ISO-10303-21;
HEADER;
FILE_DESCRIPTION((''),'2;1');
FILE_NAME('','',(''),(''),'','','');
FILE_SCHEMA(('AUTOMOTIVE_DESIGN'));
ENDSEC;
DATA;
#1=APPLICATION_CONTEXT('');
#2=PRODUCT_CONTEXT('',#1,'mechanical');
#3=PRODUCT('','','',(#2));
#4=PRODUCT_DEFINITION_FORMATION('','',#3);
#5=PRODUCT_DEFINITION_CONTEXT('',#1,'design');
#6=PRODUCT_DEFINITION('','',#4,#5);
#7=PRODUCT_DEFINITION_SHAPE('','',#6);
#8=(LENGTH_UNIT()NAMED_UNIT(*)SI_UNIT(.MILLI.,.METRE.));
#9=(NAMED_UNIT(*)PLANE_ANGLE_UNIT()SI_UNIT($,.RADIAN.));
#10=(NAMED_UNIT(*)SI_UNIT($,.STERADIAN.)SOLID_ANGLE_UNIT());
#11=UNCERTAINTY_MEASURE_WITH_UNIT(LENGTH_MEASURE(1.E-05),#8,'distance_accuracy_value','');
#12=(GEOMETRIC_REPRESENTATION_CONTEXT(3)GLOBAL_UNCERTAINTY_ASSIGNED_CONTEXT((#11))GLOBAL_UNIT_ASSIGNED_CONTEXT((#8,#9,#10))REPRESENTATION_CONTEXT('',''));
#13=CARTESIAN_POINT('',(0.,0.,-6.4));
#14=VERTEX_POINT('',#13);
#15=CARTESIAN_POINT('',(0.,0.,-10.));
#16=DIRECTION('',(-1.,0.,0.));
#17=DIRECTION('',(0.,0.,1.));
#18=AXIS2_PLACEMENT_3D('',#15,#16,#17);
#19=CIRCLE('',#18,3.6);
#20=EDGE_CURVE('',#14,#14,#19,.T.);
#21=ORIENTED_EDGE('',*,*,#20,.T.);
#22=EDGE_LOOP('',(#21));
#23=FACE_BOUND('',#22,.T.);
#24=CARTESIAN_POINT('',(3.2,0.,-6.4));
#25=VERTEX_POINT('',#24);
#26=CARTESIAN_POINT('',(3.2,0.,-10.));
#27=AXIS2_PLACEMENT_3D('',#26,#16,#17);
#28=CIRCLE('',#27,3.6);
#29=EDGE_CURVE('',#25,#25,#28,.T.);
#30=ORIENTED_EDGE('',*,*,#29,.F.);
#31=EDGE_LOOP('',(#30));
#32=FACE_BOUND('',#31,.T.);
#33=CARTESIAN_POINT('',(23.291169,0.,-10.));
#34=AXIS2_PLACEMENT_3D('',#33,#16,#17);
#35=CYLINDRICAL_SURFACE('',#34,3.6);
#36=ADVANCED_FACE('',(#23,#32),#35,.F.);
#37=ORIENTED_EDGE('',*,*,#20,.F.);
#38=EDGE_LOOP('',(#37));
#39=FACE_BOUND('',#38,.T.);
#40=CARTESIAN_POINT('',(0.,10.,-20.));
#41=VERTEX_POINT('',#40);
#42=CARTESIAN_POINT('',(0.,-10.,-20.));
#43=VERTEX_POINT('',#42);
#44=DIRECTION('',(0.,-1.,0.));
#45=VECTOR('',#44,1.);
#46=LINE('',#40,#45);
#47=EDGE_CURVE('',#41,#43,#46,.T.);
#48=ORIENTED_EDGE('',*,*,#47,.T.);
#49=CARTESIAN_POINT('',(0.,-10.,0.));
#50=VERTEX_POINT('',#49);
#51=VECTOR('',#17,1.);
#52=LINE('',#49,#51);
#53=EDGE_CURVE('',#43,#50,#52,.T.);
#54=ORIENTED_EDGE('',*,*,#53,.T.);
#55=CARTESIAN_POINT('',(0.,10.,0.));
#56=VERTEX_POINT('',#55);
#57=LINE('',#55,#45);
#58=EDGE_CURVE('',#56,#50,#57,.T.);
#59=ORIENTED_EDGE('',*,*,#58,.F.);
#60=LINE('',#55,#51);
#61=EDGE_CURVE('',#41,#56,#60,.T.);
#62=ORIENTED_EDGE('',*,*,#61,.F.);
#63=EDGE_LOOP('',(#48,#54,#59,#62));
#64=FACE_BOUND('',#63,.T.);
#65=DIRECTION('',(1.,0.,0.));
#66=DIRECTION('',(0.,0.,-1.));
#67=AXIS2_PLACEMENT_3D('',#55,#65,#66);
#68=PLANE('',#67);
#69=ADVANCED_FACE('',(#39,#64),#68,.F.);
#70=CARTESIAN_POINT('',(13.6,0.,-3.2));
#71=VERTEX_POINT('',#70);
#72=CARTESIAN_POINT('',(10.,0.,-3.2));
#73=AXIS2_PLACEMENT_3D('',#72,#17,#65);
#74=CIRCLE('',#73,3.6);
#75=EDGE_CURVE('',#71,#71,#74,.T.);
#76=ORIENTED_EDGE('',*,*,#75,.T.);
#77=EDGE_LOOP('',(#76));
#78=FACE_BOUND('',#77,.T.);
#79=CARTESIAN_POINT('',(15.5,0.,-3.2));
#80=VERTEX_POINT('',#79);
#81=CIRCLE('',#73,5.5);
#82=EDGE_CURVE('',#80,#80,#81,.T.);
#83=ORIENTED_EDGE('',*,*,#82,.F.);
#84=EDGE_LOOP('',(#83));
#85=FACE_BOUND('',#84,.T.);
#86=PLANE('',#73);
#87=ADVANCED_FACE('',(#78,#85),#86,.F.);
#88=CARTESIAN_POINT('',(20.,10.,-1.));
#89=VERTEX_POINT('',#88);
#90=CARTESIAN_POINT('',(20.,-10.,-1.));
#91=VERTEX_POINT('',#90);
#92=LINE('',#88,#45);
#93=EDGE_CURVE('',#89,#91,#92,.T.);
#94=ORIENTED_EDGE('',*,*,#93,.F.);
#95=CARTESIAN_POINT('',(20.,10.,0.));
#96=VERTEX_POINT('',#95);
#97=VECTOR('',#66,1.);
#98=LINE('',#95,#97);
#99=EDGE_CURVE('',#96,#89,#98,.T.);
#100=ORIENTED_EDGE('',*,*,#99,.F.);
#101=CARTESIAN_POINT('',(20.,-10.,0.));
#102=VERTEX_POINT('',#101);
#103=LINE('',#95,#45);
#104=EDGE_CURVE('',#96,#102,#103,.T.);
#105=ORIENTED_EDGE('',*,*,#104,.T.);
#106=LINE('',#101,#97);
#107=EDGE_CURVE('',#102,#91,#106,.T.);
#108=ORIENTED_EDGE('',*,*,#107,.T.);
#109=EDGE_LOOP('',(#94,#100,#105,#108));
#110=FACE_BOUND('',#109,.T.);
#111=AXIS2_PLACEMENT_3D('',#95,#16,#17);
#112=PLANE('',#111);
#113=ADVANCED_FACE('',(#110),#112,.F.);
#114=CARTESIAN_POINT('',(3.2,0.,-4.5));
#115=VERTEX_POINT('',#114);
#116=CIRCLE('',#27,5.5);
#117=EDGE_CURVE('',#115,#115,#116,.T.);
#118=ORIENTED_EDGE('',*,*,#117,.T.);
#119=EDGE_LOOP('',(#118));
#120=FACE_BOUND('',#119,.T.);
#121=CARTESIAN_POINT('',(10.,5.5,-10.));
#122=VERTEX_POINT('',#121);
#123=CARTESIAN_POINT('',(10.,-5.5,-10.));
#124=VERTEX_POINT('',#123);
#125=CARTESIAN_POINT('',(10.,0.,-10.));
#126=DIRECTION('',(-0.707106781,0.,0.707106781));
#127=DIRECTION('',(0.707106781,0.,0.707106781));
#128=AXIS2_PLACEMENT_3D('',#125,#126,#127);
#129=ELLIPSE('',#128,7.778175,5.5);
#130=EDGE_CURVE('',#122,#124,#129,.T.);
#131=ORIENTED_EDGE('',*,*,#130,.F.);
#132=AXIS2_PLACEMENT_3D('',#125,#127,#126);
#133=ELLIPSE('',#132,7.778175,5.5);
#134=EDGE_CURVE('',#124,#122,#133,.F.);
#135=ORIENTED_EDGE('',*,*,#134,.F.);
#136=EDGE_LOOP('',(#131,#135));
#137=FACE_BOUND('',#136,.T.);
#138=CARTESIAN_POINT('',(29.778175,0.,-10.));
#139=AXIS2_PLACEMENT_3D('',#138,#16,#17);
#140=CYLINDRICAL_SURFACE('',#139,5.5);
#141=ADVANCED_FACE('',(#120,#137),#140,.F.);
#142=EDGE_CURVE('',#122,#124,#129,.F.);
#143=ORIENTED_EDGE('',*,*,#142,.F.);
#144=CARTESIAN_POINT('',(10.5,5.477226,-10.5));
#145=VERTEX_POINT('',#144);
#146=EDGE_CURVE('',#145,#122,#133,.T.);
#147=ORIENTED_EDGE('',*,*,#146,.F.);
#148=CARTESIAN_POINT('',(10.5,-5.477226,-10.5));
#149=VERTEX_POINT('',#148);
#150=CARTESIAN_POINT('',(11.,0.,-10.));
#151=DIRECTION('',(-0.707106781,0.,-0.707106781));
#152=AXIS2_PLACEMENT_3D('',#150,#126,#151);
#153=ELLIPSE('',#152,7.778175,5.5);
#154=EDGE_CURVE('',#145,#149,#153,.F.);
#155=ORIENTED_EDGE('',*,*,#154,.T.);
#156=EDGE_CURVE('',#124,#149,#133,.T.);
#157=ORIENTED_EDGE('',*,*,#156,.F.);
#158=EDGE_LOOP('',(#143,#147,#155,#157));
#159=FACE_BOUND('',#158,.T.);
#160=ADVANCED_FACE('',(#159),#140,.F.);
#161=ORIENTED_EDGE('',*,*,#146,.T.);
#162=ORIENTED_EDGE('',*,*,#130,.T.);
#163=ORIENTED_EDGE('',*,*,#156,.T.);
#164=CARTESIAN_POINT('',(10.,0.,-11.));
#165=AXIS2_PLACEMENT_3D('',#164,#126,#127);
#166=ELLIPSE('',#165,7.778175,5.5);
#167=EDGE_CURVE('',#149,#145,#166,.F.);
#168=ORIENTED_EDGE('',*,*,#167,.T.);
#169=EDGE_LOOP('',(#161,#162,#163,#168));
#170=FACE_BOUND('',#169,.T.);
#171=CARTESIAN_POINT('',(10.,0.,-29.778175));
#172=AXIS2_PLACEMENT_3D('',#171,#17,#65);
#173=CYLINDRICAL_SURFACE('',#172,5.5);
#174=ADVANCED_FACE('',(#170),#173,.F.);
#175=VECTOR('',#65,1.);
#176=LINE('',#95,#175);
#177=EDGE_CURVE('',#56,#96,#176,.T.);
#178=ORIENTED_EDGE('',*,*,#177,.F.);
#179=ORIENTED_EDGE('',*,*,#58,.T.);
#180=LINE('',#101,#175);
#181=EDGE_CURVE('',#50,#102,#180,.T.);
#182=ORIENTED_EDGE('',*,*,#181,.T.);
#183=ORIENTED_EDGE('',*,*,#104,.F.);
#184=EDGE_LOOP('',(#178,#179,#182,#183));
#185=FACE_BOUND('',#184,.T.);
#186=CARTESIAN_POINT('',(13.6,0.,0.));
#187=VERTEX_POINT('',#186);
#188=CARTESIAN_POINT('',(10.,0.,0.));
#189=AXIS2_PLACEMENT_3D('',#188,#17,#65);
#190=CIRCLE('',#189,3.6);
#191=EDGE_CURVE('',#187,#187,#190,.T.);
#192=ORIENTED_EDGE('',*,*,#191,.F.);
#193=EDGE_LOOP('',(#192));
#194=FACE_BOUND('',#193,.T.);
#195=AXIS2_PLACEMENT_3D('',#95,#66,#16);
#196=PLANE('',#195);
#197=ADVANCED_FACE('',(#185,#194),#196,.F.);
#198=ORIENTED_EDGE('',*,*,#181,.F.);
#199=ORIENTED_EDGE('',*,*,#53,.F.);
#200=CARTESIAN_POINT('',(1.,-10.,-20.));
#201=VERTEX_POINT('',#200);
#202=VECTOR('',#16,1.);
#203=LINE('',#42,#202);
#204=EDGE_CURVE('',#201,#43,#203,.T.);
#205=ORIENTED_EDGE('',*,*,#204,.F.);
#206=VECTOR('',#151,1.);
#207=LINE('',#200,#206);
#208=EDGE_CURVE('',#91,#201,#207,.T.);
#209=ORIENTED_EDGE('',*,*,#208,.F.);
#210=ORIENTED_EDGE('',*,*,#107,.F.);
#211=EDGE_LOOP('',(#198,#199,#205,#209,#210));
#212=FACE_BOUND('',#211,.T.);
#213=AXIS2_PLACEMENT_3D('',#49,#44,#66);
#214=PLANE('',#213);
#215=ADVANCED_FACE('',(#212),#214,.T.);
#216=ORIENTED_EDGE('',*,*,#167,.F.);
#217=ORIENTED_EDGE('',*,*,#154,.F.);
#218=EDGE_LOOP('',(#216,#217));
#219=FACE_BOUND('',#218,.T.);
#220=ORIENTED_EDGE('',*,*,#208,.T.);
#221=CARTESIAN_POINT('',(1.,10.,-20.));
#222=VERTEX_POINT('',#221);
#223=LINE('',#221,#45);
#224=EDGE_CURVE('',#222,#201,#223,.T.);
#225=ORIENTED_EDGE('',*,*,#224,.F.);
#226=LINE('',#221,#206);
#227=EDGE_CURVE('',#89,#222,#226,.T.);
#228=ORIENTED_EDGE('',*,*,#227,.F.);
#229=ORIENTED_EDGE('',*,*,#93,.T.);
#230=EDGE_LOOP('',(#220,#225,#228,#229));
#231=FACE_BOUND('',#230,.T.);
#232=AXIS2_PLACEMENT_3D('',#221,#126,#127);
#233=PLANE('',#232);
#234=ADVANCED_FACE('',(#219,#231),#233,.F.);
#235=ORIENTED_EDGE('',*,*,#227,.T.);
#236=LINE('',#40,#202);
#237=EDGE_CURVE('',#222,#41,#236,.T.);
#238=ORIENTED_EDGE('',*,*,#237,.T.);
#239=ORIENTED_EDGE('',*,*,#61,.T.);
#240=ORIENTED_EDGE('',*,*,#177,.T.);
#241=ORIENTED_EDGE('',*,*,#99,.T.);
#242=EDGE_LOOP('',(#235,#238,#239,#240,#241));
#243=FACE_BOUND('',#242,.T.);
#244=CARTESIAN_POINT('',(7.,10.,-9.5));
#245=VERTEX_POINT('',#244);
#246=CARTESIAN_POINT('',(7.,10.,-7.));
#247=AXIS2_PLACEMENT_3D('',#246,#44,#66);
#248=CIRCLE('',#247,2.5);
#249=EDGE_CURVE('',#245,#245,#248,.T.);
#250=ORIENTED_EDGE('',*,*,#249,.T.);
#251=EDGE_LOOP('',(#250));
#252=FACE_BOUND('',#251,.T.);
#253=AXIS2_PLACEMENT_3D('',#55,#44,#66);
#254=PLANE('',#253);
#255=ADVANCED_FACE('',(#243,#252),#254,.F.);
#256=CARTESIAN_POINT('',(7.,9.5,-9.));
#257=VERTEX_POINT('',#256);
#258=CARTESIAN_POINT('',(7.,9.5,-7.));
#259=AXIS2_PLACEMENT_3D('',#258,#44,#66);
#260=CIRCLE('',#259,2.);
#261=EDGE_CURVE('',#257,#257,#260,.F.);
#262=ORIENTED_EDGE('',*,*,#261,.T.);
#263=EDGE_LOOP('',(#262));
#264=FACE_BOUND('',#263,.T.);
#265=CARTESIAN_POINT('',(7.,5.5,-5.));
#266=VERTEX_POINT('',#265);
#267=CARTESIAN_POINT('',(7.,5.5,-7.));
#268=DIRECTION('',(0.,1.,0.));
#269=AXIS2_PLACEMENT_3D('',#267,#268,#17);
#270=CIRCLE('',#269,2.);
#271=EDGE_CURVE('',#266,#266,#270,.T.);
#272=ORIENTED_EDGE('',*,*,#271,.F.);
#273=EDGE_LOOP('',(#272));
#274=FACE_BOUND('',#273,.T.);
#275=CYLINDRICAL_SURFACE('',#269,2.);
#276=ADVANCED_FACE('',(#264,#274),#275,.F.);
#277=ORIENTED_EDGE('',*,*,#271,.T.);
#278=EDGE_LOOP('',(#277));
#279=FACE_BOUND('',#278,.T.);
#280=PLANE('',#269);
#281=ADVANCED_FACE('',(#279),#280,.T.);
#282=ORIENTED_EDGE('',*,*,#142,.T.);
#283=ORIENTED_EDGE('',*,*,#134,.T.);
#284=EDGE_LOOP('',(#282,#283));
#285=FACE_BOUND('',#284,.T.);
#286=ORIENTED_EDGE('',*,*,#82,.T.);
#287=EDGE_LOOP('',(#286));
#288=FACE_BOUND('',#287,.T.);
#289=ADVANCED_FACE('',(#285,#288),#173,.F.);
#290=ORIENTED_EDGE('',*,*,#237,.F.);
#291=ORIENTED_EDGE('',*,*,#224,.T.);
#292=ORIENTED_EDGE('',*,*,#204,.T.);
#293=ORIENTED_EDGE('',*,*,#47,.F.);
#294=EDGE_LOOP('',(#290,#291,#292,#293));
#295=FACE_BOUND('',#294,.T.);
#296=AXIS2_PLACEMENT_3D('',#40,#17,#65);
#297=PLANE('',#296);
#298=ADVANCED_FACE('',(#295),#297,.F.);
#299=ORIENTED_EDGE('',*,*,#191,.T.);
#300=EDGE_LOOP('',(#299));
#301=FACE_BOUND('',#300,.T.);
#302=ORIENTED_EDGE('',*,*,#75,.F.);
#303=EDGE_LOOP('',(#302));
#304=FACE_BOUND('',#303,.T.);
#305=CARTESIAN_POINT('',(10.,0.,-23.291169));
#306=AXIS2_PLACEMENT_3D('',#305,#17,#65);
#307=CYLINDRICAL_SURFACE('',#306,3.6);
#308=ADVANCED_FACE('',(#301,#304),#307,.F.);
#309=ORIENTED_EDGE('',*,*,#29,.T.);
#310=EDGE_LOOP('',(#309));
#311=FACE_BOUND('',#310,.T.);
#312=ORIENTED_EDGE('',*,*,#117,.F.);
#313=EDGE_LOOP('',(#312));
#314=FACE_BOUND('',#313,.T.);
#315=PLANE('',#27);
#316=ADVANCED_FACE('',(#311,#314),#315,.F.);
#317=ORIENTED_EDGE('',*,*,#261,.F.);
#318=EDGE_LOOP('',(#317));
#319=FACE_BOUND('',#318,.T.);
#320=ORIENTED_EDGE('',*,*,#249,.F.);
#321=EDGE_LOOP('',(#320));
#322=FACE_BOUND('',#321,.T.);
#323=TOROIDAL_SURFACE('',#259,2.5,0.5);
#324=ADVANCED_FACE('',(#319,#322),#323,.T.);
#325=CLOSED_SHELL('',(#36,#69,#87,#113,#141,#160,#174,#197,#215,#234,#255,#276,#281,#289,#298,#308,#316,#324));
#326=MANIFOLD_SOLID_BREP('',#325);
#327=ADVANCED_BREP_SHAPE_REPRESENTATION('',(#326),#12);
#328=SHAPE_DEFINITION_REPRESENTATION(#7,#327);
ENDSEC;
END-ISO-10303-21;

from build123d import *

# Parameters (mm, degrees)
BOSS_EXTRUDE1_DEPTH = 10
CUT_EXTRUDE1_REACH  = 32
SKETCH3_R           = 3.6
CUT_EXTRUDE3_REACH  = 39.344
CUT_EXTRUDE3_START  = -3.2
SKETCH3_4_R         = 5.5
SKETCH3_4_R_2       = 3.6
CUT_EXTRUDE2_REACH  = 32
SKETCH4_R           = 3.6
CUT_EXTRUDE4_REACH  = 35.2
CUT_EXTRUDE4_START  = -3.2
SKETCH4_3_R         = 5.5
SKETCH4_3_R_2       = 3.6
SKETCH5_R           = 2
CUT_EXTRUDE5_DEPTH  = 4.5
FILLET1_R           = 0.5


with BuildPart() as part:
    # Sketch2 → Boss-Extrude1 (new, symmetric)
    with BuildSketch(Plane(origin=(0, 0, 0), x_dir=(1, 0, 0), z_dir=(0, 1, 0))):
        Polygon((0, 0), (0, 20), (1, 20), (20, 1), (20, 0), align=None)
    extrude(amount=BOSS_EXTRUDE1_DEPTH, both=True)

    # Cut-Extrude1: up to this plane
    cut_extrude1_end = Plane(origin=(1, 10, -20), z_dir=(-0.7071067811865476, 0, 0.7071067811865476))
    # Sketch3 → Cut-Extrude1 (cut, up to the surface)
    with BuildSketch(Plane.XY, mode=Mode.PRIVATE) as cut_extrude1_sk1:
        with Locations((10, 0)):
            Circle(SKETCH3_R)
    cut_extrude1_tool1 = split(extrude(cut_extrude1_sk1.sketch, amount=-CUT_EXTRUDE1_REACH, mode=Mode.PRIVATE), bisect_by=cut_extrude1_end, keep=Keep.BOTH, mode=Mode.PRIVATE)
    add(cut_extrude1_tool1.solids().sort_by_distance((10, 0, 0))[0], mode=Mode.SUBTRACT)

    # Cut-Extrude3: up to this plane
    cut_extrude3_end = Plane(origin=(1, 10, -20), z_dir=(-0.7071067811865476, 0, 0.7071067811865476))
    # Sketch3<4> → Cut-Extrude3 (cut, up to the surface)
    with BuildSketch(Plane.XY.offset(CUT_EXTRUDE3_START), mode=Mode.PRIVATE) as cut_extrude3_sk1:
        with Locations((10, 0)):
            Circle(SKETCH3_4_R)
        with Locations((10, 0)):
            Circle(SKETCH3_4_R_2, mode=Mode.SUBTRACT)
    cut_extrude3_tool1 = split(extrude(cut_extrude3_sk1.sketch, amount=-CUT_EXTRUDE3_REACH, mode=Mode.PRIVATE), bisect_by=cut_extrude3_end, keep=Keep.BOTH, mode=Mode.PRIVATE)
    add(cut_extrude3_tool1.solids().sort_by_distance((4.655563, 0, -3.2))[0], mode=Mode.SUBTRACT)

    # Cut-Extrude2: up to this plane
    cut_extrude2_end = Plane(origin=(1, 10, -20), z_dir=(-0.7071067811865476, 0, 0.7071067811865476))
    # Sketch4 → Cut-Extrude2 (cut, up to the surface)
    with BuildSketch(Plane.ZY, mode=Mode.PRIVATE) as cut_extrude2_sk1:
        with Locations((-10, 0)):
            Circle(SKETCH4_R)
    cut_extrude2_tool1 = split(extrude(cut_extrude2_sk1.sketch, amount=-CUT_EXTRUDE2_REACH, mode=Mode.PRIVATE), bisect_by=cut_extrude2_end, keep=Keep.BOTH, mode=Mode.PRIVATE)
    add(cut_extrude2_tool1.solids().sort_by_distance((0, 0, -10))[0], mode=Mode.SUBTRACT)

    # Cut-Extrude4: up to this plane
    cut_extrude4_end = Plane(origin=(1, 10, -20), z_dir=(-0.7071067811865476, 0, 0.7071067811865476))
    # Sketch4<3> → Cut-Extrude4 (cut, up to the surface)
    with BuildSketch(Plane.ZY.offset(CUT_EXTRUDE4_START), mode=Mode.PRIVATE) as cut_extrude4_sk1:
        with Locations((-10, 0)):
            Circle(SKETCH4_3_R)
        with Locations((-10, 0)):
            Circle(SKETCH4_3_R_2, mode=Mode.SUBTRACT)
    cut_extrude4_tool1 = split(extrude(cut_extrude4_sk1.sketch, amount=-CUT_EXTRUDE4_REACH, mode=Mode.PRIVATE), bisect_by=cut_extrude4_end, keep=Keep.BOTH, mode=Mode.PRIVATE)
    add(cut_extrude4_tool1.solids().sort_by_distance((3.2, 0, -15.344437))[0], mode=Mode.SUBTRACT)

    # Sketch5 → Cut-Extrude5 (cut)
    with BuildSketch(Plane(origin=(0, 10, 0), x_dir=(1, 0, 0), z_dir=(0, 1, 0))):
        with Locations((7, 7)):
            Circle(SKETCH5_R)
    extrude(amount=-CUT_EXTRUDE5_DEPTH, mode=Mode.SUBTRACT)

    # Fillet1
    fillet1_edges = [part.edges().sort_by_distance(p)[0] for p in [
        (5, 10, -7),
    ]]
    fillet(fillet1_edges, radius=FILLET1_R)


solid = part.part
